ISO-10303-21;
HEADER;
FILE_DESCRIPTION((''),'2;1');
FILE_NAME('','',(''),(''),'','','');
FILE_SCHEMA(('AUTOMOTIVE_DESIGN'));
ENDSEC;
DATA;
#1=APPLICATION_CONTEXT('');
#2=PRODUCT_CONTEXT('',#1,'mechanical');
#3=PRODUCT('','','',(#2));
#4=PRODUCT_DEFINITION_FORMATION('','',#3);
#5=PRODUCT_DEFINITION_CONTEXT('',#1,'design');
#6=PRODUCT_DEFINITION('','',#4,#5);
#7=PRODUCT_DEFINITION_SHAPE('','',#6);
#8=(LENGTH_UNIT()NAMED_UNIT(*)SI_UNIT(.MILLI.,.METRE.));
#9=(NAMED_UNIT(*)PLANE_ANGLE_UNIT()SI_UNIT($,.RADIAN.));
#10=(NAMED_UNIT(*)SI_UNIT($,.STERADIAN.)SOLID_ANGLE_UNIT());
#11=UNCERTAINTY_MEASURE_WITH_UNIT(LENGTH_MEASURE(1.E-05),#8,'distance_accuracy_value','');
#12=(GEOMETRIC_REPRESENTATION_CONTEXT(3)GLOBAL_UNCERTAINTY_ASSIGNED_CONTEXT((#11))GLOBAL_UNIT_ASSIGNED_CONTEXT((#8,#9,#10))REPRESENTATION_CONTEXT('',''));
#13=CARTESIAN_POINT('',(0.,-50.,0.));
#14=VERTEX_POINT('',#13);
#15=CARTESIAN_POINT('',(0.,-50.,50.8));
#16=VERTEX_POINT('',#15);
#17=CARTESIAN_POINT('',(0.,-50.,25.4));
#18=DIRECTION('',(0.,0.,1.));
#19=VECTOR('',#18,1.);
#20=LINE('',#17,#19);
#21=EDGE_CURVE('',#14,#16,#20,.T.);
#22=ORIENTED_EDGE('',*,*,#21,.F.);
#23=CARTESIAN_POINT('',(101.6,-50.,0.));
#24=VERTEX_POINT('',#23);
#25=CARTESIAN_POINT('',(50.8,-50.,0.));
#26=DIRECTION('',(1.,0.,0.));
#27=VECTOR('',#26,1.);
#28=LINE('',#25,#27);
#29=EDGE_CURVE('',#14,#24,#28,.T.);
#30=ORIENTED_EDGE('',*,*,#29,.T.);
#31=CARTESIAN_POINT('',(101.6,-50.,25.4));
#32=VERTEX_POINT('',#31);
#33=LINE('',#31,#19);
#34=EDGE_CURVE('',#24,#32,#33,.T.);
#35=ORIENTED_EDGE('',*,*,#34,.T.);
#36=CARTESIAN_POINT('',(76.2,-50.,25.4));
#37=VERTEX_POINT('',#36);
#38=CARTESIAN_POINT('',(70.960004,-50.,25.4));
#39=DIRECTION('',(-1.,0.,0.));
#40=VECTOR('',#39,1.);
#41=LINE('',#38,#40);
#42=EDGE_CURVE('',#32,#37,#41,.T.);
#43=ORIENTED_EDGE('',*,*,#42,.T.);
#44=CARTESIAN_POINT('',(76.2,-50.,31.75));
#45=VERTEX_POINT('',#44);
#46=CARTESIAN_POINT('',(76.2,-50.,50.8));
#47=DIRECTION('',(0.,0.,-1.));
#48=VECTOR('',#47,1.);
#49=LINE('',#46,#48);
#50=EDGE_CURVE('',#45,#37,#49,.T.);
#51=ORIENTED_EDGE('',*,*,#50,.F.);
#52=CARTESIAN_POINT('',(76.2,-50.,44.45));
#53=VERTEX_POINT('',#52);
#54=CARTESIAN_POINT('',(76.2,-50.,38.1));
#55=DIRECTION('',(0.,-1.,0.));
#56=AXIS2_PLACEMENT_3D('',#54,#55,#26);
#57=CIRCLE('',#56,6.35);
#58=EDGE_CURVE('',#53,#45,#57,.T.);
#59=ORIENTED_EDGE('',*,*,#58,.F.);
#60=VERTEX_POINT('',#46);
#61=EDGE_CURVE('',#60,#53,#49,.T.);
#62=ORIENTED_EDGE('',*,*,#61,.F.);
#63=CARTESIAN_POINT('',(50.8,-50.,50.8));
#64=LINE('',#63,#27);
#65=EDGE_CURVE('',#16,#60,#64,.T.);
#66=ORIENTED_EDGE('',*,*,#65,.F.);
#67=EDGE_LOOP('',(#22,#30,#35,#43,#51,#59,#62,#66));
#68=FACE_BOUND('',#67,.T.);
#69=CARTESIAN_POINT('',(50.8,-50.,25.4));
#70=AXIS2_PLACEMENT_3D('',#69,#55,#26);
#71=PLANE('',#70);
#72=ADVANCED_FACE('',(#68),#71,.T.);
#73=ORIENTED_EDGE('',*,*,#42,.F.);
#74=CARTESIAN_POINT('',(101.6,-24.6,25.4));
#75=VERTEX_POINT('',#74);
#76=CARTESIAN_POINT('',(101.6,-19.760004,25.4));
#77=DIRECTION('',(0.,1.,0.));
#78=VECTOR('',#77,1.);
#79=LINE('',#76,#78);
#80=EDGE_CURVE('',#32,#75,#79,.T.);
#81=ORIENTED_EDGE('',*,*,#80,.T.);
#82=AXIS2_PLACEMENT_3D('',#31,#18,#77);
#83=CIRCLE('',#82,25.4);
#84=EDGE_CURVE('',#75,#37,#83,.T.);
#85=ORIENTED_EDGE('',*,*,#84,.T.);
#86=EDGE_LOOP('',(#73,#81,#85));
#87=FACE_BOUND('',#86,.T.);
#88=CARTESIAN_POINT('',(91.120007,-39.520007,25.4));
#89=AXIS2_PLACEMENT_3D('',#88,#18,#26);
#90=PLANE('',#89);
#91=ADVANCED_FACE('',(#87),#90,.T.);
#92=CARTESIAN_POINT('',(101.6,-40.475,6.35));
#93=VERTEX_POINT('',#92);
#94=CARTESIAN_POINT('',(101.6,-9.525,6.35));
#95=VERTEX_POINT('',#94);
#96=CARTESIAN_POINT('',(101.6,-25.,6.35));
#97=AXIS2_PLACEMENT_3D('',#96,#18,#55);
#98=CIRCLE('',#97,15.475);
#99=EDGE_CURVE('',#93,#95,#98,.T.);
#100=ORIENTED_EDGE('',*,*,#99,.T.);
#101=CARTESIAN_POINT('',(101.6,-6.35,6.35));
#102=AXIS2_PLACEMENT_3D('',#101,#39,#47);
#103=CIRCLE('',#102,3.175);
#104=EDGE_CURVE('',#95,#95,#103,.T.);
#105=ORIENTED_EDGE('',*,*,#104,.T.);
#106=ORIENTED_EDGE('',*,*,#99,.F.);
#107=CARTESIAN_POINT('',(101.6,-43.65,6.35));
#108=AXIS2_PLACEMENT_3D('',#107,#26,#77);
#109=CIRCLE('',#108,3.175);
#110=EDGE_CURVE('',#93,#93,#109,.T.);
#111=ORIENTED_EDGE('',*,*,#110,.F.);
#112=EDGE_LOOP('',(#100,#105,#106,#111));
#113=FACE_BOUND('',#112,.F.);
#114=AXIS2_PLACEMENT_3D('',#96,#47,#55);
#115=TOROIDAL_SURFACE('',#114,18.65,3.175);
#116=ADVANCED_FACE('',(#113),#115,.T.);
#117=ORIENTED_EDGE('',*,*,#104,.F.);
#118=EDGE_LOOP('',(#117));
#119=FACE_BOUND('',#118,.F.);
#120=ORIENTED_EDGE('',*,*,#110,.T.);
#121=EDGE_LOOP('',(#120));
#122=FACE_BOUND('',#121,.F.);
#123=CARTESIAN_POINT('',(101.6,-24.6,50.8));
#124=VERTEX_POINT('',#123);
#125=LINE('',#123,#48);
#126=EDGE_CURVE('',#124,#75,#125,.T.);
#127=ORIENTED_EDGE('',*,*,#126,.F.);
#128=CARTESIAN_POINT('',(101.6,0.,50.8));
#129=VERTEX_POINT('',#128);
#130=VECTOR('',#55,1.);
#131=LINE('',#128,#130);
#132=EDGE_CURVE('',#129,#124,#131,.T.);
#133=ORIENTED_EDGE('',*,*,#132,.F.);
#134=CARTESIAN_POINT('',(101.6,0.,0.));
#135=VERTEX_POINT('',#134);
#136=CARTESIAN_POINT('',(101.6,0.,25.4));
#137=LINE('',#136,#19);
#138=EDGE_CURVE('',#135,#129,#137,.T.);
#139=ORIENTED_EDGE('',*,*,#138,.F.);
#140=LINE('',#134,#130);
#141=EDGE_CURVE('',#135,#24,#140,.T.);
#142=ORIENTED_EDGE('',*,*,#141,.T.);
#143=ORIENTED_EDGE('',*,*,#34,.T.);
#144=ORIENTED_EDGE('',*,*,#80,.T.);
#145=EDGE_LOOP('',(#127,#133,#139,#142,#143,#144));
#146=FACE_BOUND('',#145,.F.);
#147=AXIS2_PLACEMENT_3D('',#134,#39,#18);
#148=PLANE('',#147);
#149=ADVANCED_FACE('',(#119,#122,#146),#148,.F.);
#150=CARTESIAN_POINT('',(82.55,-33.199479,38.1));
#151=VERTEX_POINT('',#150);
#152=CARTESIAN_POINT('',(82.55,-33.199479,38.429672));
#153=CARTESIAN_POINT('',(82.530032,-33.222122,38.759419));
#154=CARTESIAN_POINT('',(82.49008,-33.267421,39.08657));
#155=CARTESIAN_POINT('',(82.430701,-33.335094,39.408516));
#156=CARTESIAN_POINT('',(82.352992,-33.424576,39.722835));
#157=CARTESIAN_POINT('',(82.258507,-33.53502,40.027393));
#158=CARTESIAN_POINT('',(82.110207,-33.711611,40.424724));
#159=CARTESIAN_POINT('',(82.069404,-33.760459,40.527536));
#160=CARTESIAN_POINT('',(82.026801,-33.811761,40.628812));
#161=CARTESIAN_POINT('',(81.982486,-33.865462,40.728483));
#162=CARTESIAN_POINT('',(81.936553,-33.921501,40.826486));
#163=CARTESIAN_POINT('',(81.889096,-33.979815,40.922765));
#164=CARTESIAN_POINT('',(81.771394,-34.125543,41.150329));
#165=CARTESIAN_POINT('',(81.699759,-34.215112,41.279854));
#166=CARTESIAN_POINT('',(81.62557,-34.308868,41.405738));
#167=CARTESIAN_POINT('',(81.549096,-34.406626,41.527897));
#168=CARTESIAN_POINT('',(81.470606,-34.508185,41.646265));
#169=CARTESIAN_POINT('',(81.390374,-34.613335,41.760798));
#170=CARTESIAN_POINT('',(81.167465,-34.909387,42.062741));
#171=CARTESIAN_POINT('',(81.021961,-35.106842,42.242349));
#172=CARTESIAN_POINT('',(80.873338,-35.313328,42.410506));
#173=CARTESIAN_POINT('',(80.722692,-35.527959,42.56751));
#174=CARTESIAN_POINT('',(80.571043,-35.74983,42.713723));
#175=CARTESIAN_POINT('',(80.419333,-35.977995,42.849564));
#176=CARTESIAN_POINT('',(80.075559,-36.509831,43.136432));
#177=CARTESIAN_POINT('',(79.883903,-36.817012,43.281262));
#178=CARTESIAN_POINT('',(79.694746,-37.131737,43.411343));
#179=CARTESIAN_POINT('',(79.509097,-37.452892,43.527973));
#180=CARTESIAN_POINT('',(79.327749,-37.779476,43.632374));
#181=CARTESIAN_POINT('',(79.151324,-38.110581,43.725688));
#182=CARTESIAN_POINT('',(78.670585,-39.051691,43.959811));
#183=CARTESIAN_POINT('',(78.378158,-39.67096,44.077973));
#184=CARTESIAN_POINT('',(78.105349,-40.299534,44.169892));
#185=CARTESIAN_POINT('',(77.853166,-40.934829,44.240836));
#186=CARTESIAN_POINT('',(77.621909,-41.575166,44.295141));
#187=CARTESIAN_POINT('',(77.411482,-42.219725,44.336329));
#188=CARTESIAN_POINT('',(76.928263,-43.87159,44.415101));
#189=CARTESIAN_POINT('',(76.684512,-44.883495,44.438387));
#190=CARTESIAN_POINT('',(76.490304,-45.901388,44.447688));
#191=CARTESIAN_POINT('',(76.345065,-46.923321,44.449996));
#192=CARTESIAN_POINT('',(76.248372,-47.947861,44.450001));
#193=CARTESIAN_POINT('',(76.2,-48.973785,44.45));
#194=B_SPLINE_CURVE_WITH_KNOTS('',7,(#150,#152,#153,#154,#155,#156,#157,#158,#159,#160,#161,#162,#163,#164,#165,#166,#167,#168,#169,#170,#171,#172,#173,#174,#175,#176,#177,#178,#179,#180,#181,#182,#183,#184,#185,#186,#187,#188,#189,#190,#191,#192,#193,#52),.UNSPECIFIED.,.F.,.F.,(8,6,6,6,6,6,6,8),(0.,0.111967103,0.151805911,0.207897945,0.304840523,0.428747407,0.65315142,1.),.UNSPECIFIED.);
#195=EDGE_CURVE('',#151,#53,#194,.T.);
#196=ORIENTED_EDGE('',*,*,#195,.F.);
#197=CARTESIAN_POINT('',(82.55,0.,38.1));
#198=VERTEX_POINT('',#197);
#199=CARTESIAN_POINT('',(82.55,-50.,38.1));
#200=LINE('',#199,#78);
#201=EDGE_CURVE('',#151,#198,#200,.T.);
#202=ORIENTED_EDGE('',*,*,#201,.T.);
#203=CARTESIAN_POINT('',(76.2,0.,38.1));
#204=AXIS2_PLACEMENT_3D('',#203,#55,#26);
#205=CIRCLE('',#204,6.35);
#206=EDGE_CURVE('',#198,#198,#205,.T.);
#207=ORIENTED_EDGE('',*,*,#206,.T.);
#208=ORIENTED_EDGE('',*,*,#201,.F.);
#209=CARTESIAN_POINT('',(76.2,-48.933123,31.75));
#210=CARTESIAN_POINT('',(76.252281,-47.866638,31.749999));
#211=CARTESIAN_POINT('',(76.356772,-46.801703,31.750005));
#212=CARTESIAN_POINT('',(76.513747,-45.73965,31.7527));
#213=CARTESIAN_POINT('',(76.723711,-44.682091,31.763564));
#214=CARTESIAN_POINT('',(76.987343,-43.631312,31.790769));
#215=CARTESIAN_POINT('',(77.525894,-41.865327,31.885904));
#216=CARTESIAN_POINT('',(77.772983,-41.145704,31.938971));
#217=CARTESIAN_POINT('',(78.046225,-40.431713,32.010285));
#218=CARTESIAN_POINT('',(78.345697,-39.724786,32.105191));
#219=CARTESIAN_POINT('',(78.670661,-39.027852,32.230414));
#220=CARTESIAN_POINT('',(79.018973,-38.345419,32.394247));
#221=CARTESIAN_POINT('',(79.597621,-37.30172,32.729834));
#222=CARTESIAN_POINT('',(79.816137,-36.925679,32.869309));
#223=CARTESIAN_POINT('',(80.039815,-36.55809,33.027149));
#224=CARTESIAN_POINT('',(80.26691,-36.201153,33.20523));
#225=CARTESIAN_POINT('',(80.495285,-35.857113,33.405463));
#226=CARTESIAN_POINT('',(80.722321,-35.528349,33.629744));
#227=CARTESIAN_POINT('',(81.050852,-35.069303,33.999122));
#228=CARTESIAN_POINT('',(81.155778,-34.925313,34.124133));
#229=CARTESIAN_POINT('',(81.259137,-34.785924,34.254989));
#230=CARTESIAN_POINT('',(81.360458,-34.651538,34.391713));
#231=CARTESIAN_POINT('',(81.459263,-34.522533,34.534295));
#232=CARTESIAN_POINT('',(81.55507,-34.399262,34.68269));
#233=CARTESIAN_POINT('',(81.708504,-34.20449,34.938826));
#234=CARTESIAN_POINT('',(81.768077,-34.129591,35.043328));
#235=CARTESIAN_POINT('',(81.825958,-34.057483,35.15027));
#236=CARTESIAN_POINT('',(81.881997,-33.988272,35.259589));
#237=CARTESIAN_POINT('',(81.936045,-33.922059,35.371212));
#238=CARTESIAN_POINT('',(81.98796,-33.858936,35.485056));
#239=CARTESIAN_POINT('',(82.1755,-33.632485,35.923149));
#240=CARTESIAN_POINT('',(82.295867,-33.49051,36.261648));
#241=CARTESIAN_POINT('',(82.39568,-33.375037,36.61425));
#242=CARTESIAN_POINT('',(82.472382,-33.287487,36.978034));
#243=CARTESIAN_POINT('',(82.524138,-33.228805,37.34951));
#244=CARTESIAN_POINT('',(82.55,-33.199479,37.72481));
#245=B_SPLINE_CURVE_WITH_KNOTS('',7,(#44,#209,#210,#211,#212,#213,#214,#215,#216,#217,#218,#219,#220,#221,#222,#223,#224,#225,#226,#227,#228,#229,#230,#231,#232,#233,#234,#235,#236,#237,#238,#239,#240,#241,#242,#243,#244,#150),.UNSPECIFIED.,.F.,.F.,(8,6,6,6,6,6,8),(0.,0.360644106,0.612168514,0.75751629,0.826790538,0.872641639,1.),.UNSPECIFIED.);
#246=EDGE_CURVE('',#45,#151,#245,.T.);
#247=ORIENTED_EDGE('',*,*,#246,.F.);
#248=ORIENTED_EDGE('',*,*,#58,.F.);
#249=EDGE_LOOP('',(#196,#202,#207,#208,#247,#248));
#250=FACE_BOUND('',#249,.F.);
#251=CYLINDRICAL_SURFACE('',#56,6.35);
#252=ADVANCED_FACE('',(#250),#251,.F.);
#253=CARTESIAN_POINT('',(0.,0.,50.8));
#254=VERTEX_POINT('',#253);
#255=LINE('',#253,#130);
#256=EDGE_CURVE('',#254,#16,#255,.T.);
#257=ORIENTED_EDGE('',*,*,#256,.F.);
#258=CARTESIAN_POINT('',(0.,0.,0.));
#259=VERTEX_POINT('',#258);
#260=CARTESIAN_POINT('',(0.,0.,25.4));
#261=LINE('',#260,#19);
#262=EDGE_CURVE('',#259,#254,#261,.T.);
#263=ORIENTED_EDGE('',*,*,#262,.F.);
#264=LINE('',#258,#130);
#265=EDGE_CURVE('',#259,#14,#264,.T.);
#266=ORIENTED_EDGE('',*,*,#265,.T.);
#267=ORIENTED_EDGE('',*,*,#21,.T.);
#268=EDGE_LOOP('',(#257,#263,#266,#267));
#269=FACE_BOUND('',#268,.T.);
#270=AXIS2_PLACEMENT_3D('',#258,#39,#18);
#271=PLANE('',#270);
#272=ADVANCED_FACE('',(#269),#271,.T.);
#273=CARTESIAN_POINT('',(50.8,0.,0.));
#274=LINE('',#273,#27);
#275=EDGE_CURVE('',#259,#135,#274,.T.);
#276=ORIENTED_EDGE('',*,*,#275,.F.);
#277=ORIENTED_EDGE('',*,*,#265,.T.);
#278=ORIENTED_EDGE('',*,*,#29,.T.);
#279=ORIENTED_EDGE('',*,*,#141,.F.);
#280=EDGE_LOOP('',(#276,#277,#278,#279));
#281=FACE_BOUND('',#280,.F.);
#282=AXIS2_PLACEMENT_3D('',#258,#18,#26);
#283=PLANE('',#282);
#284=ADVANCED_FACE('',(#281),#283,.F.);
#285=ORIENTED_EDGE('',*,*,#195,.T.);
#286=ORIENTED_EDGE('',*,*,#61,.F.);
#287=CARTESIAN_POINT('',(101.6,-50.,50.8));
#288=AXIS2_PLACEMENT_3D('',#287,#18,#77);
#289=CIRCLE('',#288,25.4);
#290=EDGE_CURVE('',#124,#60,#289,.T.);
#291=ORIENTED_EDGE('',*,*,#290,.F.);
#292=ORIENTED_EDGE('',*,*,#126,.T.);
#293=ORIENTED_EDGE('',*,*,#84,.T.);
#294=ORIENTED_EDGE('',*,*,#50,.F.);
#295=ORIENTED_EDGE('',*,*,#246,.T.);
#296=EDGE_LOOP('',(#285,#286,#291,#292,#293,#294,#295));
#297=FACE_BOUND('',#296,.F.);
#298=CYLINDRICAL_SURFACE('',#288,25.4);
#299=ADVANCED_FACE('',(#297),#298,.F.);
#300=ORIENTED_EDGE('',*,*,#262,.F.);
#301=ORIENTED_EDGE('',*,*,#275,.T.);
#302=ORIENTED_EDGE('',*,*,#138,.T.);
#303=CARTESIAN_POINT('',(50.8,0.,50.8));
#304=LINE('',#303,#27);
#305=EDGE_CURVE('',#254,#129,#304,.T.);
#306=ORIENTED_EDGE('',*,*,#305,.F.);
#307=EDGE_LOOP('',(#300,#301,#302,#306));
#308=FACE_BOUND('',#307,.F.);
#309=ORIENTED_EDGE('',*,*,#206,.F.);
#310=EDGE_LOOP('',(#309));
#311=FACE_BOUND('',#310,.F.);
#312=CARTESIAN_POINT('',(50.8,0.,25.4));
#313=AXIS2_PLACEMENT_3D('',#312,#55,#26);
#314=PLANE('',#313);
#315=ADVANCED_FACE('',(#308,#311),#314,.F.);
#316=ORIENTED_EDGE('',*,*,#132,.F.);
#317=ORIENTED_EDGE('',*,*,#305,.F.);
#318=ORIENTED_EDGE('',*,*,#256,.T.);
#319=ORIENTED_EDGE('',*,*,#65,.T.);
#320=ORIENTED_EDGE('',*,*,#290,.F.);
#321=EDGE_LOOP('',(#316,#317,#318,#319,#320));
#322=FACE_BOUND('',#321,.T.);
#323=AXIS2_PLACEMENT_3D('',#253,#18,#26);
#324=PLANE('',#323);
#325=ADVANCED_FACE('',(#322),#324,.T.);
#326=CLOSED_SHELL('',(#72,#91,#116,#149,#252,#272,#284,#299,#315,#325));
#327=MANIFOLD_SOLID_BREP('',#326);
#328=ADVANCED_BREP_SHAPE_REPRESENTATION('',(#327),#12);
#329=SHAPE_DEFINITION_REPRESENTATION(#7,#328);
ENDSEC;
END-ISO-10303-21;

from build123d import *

# Parameters (mm, degrees)
F0_W     = 101.6
F0_H     = 50.8
F1_DEPTH = 50
F3_DEPTH = 25.4
F4_R     = 6.35
F5_DEPTH = 50.001
F6_R     = 3.175


with BuildPart() as f1:
    # F0 (on Front) → F1 (new body)
    with BuildSketch(Plane.XZ):
        with Locations((50.8, 25.4)):
            Rectangle(F0_W, F0_H)
    extrude(amount=F1_DEPTH)

    # F2 (on face) → F3 (cut)
    with BuildSketch(Plane.XY.offset(50.8)):
        with BuildLine():
            Line((101.6, -50), (101.6, -24.6))
            ThreePointArc((101.6, -24.6), (83.6394877579, -32.0394877579), (76.2, -50))
            Line((76.2, -50), (101.6, -50))
        make_face()
        with BuildLine():
            ThreePointArc((76.2, -50), (101.6, -75.4), (127, -50))
            ThreePointArc((127, -50), (119.5605122421, -32.0394877579), (101.6, -24.6))
            Line((101.6, -24.6), (101.6, -50))
            Line((101.6, -50), (76.2, -50))
        make_face()
    extrude(amount=-F3_DEPTH, mode=Mode.SUBTRACT)

    # F4 (on face) → F5 (cut, through all)
    with BuildSketch(Plane.XZ.offset(50)):
        with Locations((76.2, 38.1)):
            Circle(F4_R)
    extrude(amount=-F5_DEPTH, mode=Mode.SUBTRACT)

    # F6 (on face) → F7 (revolve)
    with BuildSketch(Plane.YZ.offset(101.6)):
        with Locations((-43.65, 6.35)):
            Circle(F6_R)
    revolve(axis=Axis((101.6, -25, 6.2950919382), (0, 0, 1)))


solid = f1.part
